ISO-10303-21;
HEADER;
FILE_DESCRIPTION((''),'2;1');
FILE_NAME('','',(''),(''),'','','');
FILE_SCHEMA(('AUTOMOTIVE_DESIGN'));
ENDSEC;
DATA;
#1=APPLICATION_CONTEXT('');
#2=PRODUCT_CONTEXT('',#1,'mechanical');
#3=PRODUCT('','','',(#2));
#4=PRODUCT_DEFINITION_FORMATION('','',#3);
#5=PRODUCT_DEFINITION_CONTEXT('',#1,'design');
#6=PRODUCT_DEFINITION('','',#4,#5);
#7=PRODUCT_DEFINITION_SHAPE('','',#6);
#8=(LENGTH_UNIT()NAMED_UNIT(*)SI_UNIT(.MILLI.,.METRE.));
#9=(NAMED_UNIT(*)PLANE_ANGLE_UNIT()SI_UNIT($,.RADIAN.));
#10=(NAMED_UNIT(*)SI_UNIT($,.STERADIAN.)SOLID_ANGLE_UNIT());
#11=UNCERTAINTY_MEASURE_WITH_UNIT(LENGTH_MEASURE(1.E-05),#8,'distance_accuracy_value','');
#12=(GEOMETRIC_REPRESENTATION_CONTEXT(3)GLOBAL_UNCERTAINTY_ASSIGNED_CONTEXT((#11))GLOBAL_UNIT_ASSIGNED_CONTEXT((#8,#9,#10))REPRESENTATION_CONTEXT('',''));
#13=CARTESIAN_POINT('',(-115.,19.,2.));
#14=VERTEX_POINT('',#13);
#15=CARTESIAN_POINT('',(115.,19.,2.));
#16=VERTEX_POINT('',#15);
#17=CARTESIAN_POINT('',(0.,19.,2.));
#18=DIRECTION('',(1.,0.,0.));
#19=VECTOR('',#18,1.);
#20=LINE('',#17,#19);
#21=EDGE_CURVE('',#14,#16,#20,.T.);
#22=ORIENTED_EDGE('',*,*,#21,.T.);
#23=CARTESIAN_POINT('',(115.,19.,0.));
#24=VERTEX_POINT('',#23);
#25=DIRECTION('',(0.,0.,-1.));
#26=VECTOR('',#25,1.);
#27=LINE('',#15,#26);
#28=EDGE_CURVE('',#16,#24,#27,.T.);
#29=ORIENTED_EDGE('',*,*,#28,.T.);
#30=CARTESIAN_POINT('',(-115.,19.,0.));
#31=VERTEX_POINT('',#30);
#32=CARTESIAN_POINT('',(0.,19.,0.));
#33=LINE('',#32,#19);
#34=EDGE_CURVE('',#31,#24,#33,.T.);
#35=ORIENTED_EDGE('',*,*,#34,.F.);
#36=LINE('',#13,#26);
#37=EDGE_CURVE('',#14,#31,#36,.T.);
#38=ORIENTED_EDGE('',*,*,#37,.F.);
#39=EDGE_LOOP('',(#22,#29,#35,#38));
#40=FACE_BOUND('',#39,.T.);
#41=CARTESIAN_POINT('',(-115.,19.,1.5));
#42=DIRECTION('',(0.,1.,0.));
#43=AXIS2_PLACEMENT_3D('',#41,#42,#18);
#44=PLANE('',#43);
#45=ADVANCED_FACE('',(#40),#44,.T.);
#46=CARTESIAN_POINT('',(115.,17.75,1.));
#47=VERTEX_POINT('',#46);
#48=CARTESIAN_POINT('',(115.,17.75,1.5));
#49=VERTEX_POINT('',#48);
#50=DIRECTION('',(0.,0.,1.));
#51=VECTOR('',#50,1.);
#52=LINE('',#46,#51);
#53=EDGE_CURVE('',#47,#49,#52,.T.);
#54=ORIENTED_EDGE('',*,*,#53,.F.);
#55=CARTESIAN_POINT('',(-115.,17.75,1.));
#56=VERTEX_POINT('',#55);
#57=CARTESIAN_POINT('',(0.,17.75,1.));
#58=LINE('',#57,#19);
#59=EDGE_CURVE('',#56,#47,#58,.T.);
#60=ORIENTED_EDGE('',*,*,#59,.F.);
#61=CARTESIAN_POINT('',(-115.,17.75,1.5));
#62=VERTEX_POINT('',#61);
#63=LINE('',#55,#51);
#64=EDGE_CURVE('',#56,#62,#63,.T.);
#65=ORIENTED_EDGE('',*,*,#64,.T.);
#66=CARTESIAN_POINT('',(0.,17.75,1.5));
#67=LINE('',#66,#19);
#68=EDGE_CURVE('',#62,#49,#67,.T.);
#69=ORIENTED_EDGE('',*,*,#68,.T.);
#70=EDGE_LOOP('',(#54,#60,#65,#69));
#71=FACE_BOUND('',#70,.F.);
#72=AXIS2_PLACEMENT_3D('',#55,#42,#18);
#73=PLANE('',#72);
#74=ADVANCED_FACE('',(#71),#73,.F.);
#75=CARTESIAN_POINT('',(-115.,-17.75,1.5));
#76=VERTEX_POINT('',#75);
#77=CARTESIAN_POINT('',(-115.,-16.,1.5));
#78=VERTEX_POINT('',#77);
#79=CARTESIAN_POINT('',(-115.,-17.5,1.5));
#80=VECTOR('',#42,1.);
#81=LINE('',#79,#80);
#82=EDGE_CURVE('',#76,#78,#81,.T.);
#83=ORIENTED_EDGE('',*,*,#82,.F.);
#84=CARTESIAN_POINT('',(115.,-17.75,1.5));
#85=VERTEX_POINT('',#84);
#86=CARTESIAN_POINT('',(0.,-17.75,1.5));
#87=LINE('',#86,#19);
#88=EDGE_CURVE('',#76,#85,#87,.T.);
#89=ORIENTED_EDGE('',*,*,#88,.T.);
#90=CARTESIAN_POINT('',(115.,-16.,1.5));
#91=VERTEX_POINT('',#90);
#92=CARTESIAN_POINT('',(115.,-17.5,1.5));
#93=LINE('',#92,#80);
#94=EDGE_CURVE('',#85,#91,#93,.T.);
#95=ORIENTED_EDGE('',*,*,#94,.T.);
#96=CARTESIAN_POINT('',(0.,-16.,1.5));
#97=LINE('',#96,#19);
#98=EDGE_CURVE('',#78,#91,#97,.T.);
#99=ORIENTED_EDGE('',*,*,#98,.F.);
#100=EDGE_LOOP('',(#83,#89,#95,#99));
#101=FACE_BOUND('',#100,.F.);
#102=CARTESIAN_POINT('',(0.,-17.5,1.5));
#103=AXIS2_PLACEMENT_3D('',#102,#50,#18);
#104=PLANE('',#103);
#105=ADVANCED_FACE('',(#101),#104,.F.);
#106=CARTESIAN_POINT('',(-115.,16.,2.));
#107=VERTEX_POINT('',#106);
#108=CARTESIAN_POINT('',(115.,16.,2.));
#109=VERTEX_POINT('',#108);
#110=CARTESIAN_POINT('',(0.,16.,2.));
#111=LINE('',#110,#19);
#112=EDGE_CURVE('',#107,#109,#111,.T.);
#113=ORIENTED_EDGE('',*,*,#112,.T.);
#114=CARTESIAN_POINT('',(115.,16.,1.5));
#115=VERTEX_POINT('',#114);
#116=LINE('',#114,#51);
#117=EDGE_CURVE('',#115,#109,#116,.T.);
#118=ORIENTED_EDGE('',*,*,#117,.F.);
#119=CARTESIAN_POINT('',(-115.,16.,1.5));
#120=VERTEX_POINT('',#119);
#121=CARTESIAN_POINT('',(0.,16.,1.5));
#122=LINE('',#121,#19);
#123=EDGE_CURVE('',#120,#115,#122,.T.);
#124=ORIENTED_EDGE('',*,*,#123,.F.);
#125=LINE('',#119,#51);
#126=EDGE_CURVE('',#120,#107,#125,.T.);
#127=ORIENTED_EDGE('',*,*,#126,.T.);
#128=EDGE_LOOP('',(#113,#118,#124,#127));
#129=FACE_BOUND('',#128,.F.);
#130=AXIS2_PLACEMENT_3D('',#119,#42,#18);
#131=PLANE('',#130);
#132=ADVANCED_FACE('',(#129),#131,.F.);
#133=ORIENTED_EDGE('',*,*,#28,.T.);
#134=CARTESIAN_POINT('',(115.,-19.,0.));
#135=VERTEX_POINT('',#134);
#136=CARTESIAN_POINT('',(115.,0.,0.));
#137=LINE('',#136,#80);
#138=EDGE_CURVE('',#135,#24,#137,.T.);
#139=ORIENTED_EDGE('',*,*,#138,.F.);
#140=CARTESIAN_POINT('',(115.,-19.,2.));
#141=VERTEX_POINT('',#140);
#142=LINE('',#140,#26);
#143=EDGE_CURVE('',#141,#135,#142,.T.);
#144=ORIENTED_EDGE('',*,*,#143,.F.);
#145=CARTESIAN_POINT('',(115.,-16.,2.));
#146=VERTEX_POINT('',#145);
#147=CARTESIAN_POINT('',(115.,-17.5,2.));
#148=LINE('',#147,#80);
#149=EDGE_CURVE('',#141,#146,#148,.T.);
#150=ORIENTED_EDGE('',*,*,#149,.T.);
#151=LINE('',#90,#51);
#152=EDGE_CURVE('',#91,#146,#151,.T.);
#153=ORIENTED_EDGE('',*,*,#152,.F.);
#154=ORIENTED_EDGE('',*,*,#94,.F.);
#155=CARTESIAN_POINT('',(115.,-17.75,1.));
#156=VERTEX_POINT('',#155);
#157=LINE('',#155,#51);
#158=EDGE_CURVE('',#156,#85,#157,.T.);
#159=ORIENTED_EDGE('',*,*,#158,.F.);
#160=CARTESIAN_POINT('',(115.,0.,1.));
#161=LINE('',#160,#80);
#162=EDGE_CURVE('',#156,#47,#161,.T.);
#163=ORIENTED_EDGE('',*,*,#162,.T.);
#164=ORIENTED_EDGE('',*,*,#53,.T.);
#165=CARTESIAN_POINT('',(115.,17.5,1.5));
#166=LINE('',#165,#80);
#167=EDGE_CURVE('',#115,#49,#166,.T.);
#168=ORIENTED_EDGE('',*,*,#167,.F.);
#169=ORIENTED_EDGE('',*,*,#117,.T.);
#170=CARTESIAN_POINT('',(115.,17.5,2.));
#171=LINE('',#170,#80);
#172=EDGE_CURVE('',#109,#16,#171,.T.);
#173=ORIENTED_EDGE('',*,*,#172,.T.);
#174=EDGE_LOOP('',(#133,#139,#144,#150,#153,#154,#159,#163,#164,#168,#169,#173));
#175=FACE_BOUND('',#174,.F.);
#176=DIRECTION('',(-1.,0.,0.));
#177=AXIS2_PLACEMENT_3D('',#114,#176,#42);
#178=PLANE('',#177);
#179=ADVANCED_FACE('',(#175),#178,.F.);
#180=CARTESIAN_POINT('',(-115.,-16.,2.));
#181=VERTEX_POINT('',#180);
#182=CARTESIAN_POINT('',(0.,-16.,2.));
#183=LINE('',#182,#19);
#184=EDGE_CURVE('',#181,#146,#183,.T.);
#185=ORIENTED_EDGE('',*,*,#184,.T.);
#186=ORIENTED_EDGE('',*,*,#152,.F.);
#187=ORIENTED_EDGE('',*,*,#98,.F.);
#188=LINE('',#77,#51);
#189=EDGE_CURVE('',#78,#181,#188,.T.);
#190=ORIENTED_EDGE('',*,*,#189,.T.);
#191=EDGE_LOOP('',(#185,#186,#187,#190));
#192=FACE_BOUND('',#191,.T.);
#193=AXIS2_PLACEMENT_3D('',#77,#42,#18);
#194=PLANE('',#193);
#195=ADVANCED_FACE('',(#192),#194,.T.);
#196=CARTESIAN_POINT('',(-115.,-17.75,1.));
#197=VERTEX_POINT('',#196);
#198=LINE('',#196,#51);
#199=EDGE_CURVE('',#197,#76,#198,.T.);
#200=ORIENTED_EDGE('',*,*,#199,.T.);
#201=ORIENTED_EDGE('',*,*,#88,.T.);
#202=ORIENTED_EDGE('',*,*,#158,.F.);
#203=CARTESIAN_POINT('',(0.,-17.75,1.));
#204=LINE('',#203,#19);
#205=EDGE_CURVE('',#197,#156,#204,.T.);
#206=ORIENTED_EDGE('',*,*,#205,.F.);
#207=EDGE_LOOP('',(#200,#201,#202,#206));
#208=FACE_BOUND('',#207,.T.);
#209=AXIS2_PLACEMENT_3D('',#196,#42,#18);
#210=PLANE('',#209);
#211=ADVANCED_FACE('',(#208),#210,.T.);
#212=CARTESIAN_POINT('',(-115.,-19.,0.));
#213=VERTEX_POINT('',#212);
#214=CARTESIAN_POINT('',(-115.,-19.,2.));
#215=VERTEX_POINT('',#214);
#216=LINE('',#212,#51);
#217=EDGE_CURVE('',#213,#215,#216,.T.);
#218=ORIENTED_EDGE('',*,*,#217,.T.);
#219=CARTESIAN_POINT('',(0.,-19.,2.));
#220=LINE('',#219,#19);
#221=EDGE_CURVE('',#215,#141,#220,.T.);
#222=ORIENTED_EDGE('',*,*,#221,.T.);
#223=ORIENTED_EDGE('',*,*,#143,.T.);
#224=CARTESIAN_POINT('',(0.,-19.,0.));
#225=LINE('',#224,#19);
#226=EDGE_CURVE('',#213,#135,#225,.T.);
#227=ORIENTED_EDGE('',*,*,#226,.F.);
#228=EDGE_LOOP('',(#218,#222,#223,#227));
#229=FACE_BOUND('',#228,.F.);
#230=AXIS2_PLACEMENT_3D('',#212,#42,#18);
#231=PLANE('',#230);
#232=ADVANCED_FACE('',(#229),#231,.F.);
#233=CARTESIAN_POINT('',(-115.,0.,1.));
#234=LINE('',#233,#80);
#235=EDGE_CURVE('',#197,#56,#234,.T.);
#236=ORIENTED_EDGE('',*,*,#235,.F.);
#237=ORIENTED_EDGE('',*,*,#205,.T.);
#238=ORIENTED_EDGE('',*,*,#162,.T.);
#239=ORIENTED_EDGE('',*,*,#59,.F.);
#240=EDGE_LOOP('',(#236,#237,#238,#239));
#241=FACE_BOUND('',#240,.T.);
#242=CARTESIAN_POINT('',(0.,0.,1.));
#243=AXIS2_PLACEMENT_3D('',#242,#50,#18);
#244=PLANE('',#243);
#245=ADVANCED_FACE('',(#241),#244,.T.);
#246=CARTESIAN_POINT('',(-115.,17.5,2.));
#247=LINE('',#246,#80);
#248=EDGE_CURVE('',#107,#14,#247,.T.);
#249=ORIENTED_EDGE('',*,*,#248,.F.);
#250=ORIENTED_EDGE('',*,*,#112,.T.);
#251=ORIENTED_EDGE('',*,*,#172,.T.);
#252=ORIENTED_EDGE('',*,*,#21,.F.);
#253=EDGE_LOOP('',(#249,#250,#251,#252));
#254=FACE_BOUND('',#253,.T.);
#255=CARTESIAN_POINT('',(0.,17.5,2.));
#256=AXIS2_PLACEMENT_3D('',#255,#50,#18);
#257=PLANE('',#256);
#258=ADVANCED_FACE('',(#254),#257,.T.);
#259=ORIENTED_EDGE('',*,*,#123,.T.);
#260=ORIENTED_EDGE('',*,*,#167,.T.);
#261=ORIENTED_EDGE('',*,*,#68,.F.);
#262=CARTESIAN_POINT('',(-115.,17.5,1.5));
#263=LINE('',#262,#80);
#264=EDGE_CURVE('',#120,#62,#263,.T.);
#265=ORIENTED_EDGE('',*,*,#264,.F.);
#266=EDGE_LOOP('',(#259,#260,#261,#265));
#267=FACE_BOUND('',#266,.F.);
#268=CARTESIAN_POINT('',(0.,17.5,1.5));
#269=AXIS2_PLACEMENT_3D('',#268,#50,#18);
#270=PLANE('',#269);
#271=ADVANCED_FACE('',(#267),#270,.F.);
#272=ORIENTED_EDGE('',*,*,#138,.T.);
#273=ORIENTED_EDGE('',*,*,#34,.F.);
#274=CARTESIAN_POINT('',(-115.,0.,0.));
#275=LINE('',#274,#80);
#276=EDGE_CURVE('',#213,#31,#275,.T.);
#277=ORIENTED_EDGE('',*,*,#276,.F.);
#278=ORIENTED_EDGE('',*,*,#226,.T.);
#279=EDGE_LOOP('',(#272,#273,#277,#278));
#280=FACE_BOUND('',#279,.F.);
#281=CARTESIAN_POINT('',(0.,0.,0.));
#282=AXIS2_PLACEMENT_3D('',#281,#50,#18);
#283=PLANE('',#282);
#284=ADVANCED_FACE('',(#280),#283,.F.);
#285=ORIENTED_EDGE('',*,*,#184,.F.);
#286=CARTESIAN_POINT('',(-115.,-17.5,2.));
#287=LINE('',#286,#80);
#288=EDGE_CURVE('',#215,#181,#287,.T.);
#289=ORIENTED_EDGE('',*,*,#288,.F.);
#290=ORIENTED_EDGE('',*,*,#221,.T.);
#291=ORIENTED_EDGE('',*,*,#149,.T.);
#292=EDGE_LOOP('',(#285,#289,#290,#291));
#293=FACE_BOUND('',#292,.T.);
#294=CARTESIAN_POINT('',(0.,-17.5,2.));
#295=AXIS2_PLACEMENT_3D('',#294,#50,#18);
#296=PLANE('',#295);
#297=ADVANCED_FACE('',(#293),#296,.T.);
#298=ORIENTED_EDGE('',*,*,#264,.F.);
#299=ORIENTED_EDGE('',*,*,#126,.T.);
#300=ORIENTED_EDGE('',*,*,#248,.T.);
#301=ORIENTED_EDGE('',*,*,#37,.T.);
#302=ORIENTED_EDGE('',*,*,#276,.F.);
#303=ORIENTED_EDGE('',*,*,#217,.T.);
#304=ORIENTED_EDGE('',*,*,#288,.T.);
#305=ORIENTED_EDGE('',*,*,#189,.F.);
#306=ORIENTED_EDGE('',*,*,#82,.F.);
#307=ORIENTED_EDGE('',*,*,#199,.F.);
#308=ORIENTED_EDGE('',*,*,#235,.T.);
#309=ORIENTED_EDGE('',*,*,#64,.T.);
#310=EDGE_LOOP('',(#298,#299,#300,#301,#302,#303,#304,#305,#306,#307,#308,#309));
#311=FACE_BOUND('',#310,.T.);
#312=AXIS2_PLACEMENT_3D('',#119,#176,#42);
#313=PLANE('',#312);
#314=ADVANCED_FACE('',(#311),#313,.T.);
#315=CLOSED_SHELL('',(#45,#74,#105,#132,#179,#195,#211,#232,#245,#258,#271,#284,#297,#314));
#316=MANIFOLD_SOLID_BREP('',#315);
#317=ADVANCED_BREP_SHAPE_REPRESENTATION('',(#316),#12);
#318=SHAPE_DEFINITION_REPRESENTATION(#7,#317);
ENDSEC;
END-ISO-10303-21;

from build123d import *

# Parameters (mm, degrees)
F0_W     = 230
F0_H     = 38
F1_DEPTH = 1
F2_W     = 230
F2_H     = 1.25
F3_DEPTH = 0.5
F4_W     = 230
F4_H     = 3
F5_DEPTH = 0.5


with BuildPart() as f1:
    # F0 (on Top) → F1 (new body)
    with BuildSketch(Plane.XY):
        Rectangle(F0_W, F0_H)
    extrude(amount=F1_DEPTH)

    # F2 (on face) → F3 (join)
    with BuildSketch(Plane.XY.offset(1)):
        with Locations((0, 18.375)):
            Rectangle(F2_W, F2_H)
        with Locations((0, -18.375)):
            Rectangle(F2_W, F2_H)
    extrude(amount=F3_DEPTH)

    # F4 (on face) → F5 (join)
    with BuildSketch(Plane.XY.offset(1.5)):
        with Locations((0, 17.5)):
            Rectangle(F4_W, F4_H)
        with Locations((0, -17.5)):
            Rectangle(F4_W, F4_H)
    extrude(amount=F5_DEPTH)


solid = f1.part
